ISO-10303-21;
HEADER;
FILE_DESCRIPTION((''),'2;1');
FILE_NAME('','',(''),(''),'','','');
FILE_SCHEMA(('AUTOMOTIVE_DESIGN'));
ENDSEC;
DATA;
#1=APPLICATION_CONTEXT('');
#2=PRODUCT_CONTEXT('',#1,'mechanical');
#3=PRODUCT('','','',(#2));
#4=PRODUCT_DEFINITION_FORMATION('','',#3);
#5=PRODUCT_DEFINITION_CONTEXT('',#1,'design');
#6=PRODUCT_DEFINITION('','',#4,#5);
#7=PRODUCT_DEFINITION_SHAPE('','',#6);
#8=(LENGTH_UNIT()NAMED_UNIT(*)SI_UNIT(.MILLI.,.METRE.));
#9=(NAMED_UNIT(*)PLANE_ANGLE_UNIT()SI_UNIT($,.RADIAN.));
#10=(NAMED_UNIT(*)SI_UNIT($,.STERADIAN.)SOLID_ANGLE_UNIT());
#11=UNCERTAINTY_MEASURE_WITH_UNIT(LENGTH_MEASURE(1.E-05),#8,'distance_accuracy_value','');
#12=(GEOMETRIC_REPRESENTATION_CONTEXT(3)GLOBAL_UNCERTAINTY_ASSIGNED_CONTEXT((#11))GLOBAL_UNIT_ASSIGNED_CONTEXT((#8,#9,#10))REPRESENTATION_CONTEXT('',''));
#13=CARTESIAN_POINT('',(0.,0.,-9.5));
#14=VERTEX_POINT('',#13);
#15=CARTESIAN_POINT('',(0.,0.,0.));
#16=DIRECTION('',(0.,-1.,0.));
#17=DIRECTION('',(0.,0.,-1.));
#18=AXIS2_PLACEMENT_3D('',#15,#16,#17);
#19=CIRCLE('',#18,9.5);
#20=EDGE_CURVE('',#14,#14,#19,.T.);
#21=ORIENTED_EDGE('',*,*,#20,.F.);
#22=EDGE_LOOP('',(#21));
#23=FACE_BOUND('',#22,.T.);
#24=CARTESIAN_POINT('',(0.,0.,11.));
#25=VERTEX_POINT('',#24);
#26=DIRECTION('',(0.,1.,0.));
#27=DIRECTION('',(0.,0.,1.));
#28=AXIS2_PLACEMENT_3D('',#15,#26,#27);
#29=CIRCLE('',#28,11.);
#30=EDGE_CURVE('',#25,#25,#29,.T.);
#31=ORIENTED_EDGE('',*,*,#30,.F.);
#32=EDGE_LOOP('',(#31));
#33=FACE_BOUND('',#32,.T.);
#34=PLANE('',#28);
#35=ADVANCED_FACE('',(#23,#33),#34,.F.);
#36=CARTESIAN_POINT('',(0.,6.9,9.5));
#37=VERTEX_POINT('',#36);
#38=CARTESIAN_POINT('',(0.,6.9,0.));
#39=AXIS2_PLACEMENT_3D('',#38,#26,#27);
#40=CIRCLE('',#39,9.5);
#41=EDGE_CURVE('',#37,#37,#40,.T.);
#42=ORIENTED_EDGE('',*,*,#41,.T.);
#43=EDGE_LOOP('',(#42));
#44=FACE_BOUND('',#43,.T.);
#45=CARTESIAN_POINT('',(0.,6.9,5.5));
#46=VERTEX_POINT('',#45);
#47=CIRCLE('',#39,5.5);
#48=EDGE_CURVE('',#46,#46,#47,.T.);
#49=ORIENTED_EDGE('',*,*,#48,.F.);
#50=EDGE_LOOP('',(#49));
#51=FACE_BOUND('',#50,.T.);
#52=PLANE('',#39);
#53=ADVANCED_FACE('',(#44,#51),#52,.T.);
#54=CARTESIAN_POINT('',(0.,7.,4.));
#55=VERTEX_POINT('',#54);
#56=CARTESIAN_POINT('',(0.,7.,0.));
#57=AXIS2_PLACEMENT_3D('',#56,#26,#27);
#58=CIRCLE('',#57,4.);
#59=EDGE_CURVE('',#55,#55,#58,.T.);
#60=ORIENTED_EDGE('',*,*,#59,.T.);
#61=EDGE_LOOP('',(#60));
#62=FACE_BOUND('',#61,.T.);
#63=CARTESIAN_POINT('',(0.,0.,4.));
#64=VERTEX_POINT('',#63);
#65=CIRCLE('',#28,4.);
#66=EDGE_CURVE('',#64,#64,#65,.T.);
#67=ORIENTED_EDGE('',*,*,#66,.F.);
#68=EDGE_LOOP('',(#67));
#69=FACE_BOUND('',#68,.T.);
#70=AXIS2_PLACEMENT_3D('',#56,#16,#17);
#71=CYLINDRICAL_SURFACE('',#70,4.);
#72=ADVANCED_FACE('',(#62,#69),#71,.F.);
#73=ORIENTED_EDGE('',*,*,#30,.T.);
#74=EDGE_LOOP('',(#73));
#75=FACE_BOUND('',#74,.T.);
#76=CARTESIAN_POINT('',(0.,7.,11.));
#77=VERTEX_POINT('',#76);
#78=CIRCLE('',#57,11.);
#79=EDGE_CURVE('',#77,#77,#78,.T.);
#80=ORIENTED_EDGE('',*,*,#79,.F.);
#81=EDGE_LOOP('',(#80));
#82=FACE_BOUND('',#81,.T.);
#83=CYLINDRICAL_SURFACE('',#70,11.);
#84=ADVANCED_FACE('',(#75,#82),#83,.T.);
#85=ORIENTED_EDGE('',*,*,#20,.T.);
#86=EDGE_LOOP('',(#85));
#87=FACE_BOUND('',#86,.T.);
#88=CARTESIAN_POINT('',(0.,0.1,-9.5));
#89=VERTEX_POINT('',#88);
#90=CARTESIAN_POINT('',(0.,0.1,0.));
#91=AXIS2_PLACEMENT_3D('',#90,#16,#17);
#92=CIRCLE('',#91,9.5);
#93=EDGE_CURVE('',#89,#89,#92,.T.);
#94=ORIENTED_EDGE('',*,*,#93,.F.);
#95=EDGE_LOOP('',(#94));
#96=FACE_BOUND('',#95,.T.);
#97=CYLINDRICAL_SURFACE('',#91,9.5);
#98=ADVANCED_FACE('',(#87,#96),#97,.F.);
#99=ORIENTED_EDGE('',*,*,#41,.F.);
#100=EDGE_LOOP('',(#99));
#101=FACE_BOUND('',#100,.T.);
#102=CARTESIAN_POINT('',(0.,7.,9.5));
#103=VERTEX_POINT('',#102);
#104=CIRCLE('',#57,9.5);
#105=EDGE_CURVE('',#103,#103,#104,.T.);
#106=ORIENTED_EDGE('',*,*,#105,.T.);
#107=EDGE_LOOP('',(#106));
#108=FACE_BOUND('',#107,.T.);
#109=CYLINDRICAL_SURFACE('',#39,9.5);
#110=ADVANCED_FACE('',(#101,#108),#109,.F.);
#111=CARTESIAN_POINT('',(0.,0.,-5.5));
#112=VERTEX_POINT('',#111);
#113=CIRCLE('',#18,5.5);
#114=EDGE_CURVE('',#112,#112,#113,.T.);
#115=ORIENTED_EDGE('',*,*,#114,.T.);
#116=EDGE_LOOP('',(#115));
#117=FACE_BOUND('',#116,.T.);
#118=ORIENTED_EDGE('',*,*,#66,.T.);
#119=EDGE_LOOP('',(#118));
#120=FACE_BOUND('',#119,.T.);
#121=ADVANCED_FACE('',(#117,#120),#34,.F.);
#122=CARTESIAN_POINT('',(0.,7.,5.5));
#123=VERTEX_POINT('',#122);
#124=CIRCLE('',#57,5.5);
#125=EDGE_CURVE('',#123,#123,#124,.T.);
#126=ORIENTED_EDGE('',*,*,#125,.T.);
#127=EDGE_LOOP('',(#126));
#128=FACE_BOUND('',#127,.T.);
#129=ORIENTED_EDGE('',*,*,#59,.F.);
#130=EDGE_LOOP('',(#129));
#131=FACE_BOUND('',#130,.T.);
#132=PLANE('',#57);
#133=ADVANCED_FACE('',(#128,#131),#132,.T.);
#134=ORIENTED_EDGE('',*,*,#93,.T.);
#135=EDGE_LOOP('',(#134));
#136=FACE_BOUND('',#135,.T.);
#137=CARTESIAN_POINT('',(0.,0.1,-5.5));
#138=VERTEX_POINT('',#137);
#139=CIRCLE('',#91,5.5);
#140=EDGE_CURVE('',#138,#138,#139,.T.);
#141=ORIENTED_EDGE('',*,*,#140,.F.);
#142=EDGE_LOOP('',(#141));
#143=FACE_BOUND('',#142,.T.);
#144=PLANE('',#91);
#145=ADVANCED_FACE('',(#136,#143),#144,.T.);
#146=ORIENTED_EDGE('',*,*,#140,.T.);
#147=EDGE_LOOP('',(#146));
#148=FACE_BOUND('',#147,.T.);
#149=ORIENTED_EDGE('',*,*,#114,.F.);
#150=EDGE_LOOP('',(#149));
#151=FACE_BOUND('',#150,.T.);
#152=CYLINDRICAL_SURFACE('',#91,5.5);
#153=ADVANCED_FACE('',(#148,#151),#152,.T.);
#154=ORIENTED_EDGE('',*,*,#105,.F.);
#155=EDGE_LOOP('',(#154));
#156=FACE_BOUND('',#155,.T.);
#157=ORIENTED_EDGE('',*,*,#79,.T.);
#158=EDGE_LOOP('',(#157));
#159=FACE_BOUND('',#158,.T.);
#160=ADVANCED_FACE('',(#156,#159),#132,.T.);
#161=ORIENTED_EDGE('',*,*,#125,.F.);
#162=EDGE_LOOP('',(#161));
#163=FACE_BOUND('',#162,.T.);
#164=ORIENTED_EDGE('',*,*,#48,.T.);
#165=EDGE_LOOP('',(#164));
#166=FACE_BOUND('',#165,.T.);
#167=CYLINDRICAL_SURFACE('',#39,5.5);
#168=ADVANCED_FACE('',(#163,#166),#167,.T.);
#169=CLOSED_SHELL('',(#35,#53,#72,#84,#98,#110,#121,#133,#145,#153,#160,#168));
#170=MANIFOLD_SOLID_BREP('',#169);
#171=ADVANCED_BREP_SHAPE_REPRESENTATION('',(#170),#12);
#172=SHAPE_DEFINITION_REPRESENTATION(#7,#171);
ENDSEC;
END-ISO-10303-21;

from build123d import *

# Parameters (mm, degrees)
SKETCH1_R           = 11
SKETCH1_R_2         = 4
BOSS_EXTRUDE1_DEPTH = 7
SKETCH2_R           = 9.5
SKETCH2_R_2         = 5.5
CUT_EXTRUDE1_DEPTH  = 0.1
CUT_EXTRUDE2_START  = -0.1
SKETCH3_R           = 9.5
SKETCH3_R_2         = 5.5
CUT_EXTRUDE2_DEPTH  = 0.1


with BuildPart() as part:
    # Sketch1 → Boss-Extrude1 (new body)
    with BuildSketch(Plane(origin=(0, 0, 0), x_dir=(1, 0, 0), z_dir=(0, 1, 0))):
        with Locations(Location((0, 0, 0), (0, 0, 270))):
            Circle(SKETCH1_R)
        with Locations(Location((0, 0, 0), (0, 0, 270))):
            Circle(SKETCH1_R_2, mode=Mode.SUBTRACT)
    extrude(amount=BOSS_EXTRUDE1_DEPTH)

    # Sketch2 → Cut-Extrude1 (cut)
    with BuildSketch(Plane(origin=(0, 7, 0), x_dir=(1, 0, 0), z_dir=(0, 1, 0))):
        with Locations(Location((0, 0, 0), (0, 0, 270))):
            Circle(SKETCH2_R)
        with Locations(Location((0, 0, 0), (0, 0, 270))):
            Circle(SKETCH2_R_2, mode=Mode.SUBTRACT)
    extrude(amount=-CUT_EXTRUDE1_DEPTH, mode=Mode.SUBTRACT)

    # Sketch3 → Cut-Extrude2 (cut)
    with BuildSketch(Plane.XZ.offset(CUT_EXTRUDE2_START)):
        with Locations(Location((0, 0, 0), (0, 0, 90))):
            Circle(SKETCH3_R)
        with Locations(Location((0, 0, 0), (0, 0, 90))):
            Circle(SKETCH3_R_2, mode=Mode.SUBTRACT)
    extrude(amount=CUT_EXTRUDE2_DEPTH, mode=Mode.SUBTRACT)


solid = part.part
